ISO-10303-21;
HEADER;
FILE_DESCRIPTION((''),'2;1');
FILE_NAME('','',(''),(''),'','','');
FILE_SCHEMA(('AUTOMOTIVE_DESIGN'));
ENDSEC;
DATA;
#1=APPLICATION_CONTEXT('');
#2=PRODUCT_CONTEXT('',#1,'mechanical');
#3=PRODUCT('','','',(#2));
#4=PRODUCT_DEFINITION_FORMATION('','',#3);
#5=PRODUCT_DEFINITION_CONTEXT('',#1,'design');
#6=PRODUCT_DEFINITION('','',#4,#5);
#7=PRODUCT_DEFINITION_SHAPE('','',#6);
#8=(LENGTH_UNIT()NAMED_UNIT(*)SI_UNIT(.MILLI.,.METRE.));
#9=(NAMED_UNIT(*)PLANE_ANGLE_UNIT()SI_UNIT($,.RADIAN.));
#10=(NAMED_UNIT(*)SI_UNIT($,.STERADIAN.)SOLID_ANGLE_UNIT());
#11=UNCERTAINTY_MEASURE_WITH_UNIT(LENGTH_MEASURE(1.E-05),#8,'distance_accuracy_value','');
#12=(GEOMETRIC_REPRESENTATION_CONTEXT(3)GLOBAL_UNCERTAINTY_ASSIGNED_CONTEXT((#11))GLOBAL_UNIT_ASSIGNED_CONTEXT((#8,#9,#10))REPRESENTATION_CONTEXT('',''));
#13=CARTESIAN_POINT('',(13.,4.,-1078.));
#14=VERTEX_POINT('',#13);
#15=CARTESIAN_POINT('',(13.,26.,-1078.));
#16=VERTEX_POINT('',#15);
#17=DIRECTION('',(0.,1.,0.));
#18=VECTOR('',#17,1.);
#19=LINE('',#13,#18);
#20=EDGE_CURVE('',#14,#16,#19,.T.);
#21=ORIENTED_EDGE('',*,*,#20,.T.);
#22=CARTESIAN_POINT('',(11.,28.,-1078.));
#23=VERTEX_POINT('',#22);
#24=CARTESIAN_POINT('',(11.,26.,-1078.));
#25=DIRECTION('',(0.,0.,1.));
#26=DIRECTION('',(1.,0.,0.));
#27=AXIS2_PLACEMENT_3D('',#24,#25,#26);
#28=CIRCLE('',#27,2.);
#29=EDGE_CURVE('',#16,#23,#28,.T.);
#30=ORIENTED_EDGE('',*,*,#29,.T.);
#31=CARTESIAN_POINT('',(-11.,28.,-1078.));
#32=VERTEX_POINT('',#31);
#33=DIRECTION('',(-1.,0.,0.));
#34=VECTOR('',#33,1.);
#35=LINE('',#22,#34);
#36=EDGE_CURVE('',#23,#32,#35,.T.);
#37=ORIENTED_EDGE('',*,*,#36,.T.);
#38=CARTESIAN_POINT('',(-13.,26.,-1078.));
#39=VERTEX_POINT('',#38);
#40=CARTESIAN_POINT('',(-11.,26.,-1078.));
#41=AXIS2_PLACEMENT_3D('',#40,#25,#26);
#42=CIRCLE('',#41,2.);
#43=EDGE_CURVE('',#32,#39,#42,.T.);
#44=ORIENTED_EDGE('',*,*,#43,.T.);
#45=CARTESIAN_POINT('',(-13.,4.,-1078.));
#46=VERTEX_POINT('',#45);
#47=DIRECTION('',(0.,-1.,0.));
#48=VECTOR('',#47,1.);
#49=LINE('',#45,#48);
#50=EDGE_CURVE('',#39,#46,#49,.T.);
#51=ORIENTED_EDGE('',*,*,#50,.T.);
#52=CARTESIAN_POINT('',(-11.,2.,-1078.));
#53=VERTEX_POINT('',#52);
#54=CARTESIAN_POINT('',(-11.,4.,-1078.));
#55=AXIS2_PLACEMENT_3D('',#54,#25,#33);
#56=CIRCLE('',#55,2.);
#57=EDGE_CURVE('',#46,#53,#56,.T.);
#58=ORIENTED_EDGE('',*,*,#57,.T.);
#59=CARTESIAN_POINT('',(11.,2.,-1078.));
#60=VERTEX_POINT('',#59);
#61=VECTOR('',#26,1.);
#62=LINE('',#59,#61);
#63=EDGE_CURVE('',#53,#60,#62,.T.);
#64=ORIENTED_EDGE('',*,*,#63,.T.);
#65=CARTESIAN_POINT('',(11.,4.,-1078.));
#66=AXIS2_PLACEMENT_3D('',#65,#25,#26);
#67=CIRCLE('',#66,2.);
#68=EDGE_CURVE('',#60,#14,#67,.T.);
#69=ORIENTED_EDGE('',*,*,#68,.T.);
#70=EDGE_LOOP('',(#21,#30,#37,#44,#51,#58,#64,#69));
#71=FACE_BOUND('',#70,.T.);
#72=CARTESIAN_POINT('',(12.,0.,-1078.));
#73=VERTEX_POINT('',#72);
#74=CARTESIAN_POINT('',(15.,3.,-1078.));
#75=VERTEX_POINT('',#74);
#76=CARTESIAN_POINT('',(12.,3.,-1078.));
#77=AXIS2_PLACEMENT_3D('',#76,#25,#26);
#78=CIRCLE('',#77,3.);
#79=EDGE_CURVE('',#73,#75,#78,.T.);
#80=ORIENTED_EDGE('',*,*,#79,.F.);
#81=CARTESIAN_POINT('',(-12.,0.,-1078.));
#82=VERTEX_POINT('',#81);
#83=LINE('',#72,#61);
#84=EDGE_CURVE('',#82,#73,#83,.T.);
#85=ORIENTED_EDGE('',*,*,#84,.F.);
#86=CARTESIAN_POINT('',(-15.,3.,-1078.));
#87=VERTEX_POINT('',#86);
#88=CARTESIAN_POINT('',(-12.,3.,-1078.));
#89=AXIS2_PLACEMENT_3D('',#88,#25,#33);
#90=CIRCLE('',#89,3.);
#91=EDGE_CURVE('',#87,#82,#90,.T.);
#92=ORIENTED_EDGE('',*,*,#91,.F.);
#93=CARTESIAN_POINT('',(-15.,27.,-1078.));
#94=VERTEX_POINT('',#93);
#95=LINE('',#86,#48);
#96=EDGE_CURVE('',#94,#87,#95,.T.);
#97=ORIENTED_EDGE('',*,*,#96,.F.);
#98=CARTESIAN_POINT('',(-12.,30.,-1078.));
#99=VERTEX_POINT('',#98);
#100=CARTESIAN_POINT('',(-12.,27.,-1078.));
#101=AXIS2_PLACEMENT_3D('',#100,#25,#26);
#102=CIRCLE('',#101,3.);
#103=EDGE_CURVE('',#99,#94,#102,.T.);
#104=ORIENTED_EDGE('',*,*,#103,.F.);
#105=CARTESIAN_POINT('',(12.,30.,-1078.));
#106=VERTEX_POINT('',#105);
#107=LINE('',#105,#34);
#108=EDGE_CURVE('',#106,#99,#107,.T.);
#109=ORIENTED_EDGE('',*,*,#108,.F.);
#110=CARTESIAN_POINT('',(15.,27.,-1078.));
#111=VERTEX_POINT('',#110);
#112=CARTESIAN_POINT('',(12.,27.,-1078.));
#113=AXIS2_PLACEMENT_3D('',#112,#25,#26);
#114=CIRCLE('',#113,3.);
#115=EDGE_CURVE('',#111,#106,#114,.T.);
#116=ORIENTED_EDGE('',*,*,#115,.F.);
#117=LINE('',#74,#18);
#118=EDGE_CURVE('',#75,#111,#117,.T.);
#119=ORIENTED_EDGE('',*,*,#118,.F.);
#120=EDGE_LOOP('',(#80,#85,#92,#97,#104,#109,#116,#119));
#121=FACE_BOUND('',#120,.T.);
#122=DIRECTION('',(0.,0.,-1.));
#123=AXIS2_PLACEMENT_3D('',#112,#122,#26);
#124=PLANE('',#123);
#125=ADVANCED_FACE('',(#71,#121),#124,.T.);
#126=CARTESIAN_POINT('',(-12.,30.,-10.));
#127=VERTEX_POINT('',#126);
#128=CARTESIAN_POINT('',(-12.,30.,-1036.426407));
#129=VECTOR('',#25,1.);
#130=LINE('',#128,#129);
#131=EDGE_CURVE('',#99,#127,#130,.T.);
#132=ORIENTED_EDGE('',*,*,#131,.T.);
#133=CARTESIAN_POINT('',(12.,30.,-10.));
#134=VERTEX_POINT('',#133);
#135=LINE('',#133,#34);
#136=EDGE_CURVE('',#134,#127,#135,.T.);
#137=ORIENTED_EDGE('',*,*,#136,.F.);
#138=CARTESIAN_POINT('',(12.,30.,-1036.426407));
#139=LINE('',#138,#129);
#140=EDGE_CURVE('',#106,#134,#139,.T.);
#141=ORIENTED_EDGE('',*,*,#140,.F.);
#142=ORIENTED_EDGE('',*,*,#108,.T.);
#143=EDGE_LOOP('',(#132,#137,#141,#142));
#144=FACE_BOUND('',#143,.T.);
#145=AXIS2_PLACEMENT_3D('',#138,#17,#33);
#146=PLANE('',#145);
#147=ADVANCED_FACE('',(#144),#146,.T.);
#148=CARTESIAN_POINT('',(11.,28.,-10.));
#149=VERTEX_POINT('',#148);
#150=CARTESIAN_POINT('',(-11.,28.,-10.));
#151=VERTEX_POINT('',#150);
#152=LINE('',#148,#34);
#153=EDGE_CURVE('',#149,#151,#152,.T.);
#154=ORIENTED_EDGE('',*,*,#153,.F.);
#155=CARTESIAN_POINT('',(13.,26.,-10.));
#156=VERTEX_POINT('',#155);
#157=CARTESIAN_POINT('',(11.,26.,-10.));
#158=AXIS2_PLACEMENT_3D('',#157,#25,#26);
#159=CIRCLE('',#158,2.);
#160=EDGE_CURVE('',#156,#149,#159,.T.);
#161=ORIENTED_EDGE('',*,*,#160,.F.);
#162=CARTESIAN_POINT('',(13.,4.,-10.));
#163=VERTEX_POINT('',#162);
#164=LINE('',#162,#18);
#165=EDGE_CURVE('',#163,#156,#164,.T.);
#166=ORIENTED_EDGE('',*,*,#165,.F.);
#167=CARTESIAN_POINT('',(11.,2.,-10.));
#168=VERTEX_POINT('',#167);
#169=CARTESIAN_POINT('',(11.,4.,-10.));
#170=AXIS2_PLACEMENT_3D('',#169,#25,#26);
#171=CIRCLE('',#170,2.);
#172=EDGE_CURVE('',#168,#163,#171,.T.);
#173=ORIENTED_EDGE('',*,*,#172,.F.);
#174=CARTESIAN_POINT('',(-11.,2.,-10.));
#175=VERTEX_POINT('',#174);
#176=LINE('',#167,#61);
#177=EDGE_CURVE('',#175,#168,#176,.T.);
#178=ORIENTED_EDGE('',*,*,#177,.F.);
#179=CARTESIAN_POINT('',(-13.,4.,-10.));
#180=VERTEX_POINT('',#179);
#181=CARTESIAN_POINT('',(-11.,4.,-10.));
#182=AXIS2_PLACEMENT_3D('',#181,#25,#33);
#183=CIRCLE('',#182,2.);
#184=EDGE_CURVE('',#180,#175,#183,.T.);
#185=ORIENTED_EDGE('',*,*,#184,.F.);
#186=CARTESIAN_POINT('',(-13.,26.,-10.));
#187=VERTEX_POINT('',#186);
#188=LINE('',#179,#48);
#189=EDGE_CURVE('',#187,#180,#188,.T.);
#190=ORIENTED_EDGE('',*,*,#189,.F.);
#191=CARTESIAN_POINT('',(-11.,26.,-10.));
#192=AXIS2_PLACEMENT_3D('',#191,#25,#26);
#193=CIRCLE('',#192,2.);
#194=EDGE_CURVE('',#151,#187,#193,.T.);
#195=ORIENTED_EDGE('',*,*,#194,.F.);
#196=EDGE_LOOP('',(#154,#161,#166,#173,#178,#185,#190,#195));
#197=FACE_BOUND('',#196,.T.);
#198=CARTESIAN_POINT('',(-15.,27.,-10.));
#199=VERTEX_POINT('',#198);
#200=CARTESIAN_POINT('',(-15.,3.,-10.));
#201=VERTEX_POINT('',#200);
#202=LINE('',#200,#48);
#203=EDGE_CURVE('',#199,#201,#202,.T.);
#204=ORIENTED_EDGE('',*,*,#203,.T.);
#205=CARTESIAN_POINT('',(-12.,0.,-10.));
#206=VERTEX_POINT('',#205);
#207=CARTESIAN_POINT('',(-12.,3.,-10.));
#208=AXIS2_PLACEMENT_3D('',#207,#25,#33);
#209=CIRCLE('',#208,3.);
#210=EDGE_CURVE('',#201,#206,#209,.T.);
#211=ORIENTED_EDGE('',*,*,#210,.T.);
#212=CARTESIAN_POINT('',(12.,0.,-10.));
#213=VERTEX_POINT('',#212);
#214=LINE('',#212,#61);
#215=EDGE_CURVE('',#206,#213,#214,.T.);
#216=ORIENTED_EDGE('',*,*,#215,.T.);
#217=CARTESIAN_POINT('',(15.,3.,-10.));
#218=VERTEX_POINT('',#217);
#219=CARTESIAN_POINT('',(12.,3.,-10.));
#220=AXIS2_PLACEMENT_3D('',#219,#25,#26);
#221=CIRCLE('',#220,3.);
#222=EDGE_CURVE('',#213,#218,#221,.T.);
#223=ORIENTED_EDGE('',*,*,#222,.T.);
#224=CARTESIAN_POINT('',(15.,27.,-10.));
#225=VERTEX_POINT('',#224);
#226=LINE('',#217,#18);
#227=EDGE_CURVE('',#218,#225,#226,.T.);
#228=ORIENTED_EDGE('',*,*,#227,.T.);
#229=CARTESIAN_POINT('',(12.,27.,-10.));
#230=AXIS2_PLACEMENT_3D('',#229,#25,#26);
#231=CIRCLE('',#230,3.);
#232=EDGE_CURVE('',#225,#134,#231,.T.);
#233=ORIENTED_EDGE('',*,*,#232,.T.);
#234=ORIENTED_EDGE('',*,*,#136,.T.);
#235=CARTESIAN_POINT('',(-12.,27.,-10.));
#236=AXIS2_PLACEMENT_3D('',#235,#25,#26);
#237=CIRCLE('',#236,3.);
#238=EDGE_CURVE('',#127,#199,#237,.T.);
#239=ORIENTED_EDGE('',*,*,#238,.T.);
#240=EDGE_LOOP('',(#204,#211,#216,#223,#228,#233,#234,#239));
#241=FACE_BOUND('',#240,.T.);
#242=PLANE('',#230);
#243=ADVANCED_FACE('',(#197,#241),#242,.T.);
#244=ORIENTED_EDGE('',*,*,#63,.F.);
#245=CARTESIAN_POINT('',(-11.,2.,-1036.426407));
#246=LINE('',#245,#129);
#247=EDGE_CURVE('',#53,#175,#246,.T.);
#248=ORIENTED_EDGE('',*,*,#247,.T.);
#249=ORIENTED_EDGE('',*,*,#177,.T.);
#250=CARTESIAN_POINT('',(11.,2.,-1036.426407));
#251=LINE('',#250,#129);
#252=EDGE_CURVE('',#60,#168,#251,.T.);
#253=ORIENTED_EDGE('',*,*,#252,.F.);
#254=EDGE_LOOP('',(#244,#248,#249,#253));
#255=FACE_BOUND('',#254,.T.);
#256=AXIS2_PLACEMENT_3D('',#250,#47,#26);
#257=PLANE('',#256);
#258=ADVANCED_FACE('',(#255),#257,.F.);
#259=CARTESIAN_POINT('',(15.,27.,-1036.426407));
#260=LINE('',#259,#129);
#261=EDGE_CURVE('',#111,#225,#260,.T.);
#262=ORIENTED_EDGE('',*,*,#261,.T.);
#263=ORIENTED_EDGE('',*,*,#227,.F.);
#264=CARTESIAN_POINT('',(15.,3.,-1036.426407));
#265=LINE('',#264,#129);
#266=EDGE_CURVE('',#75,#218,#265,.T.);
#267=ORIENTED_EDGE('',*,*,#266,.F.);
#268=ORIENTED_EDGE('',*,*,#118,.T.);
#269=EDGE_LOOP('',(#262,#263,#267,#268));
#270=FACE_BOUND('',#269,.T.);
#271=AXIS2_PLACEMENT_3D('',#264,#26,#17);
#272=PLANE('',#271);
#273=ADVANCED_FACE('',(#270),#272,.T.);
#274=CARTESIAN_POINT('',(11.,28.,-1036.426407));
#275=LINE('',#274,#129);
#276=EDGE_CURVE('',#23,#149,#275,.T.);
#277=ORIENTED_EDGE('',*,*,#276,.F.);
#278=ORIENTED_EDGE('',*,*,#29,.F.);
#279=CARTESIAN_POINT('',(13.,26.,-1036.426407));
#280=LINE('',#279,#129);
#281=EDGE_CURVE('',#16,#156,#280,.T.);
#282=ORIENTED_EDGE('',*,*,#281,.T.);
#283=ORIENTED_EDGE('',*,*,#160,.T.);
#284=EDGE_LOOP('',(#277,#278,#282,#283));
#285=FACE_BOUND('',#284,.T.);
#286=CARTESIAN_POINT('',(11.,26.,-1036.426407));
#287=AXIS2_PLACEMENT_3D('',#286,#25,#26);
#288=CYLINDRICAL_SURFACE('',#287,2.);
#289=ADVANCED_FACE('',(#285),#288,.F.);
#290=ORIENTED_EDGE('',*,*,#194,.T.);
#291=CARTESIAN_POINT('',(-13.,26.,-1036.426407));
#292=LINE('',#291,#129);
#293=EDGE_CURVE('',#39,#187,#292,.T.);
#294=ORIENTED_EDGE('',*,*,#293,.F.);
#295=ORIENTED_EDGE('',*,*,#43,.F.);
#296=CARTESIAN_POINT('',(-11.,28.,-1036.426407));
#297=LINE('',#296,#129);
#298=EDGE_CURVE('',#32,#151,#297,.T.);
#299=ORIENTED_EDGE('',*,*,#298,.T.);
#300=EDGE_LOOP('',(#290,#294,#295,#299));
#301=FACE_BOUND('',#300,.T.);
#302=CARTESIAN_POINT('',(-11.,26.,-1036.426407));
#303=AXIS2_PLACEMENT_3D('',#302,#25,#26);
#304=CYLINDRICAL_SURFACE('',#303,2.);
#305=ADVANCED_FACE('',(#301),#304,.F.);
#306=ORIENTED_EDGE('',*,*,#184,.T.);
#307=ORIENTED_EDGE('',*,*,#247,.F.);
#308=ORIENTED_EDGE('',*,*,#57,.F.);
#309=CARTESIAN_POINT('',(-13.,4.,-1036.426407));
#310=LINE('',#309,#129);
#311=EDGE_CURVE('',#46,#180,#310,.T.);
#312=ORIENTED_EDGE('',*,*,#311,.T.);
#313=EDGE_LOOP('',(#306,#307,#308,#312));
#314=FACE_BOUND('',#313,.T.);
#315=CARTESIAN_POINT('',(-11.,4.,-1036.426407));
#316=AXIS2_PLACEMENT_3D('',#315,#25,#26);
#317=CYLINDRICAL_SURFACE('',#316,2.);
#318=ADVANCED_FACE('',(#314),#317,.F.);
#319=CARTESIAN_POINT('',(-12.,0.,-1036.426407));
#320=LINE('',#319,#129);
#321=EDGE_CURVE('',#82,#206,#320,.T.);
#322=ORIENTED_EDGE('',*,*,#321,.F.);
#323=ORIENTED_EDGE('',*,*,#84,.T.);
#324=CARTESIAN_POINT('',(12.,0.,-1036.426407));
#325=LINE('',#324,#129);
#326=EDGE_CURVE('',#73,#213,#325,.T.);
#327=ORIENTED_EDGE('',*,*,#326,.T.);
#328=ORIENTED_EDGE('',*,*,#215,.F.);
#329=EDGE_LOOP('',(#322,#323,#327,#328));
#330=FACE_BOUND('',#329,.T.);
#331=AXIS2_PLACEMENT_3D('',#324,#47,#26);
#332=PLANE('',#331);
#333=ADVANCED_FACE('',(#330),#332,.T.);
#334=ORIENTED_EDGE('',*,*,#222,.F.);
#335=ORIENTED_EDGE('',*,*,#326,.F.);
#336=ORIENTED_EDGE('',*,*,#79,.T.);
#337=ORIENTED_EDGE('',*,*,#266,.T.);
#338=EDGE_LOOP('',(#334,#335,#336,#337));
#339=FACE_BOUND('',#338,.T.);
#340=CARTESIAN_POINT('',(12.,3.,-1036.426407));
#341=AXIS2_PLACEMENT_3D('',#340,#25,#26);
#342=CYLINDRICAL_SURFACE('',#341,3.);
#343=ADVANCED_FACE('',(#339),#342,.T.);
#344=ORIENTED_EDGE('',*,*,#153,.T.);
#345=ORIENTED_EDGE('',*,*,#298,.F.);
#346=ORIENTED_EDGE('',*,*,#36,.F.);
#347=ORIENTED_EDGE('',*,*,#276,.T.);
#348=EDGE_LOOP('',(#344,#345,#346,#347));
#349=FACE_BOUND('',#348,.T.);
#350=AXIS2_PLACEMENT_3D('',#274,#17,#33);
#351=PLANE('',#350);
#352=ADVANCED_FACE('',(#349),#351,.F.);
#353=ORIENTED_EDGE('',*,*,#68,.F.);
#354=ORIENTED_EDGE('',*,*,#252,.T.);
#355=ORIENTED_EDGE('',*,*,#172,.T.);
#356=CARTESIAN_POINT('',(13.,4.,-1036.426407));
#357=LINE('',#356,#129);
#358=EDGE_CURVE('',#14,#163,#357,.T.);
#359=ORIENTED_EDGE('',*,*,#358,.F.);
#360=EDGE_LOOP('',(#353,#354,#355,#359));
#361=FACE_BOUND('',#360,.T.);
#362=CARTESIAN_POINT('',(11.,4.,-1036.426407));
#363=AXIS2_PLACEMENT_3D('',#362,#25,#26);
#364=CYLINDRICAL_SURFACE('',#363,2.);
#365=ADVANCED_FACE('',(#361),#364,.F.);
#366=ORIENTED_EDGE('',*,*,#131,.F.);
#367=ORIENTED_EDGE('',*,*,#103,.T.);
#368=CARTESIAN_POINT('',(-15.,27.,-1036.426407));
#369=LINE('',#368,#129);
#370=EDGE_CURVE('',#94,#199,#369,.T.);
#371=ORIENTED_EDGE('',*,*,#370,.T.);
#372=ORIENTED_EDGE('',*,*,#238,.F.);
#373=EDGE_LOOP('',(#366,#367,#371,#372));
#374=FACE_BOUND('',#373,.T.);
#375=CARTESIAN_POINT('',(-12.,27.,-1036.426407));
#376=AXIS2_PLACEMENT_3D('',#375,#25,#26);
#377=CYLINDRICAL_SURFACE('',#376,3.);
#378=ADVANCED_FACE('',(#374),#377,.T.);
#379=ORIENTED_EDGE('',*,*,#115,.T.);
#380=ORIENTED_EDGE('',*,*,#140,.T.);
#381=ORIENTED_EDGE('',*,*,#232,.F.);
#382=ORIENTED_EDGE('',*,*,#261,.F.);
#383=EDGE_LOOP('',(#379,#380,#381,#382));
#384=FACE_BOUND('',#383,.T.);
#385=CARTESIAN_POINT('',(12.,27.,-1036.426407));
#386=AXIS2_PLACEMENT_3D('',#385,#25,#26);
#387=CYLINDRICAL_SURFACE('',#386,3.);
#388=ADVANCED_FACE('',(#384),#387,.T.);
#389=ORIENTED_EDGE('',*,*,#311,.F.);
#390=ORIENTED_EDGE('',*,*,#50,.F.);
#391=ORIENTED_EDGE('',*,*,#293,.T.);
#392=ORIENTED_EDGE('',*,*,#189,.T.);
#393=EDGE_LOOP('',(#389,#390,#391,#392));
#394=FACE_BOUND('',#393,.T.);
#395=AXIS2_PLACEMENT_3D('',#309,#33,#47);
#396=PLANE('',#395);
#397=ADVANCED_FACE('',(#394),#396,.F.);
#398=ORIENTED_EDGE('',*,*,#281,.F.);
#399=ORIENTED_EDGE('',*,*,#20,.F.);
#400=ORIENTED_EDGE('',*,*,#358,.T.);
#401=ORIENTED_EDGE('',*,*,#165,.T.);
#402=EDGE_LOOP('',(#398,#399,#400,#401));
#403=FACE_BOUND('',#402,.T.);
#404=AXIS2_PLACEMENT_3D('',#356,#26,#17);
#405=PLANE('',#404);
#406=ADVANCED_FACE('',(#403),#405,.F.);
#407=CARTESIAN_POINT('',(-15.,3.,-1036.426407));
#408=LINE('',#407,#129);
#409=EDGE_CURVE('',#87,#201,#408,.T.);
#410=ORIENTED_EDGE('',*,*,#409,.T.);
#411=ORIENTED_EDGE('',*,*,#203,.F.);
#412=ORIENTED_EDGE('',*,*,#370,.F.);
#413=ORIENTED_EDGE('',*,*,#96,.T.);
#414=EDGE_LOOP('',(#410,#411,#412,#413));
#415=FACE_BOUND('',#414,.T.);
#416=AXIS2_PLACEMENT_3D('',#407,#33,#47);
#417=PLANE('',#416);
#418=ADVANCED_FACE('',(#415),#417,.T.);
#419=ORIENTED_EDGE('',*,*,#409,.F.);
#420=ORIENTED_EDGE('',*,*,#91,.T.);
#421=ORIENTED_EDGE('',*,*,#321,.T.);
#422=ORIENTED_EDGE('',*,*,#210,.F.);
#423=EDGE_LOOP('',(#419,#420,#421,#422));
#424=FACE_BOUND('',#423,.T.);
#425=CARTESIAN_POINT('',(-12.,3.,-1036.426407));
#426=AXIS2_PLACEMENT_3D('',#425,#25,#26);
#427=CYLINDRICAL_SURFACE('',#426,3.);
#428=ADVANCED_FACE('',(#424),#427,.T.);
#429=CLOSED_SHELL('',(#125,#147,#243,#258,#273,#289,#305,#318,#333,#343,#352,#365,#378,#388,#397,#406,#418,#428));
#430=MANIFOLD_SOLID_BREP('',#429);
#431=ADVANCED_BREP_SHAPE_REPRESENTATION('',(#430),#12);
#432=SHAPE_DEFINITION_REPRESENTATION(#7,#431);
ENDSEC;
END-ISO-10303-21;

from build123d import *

# Parameters (mm, degrees)
EXTRUDE_1_DEPTH = 534


with BuildPart() as part:
    # Эскиз1 → Бобышка-Вытянуть1 (new body)
    with BuildSketch(Plane.XY.offset(-10)):
        with BuildLine():
            Line((12, 0), (-12, 0))
            ThreePointArc((-12, 0), (-14.121320344, 0.878679656), (-15, 3))
            Line((-15, 3), (-15, 27))
            ThreePointArc((-15, 27), (-14.121320344, 29.121320344), (-12, 30))
            Line((-12, 30), (12, 30))
            ThreePointArc((12, 30), (14.121320344, 29.121320344), (15, 27))
            Line((15, 27), (15, 3))
            ThreePointArc((15, 3), (14.121320344, 0.878679656), (12, 0))
        make_face()
        with BuildLine():
            Line((11, 2), (-11, 2))
            ThreePointArc((-11, 2), (-12.414213562, 2.585786438), (-13, 4))
            Line((-13, 4), (-13, 26))
            ThreePointArc((-13, 26), (-12.414213562, 27.414213562), (-11, 28))
            Line((-11, 28), (11, 28))
            ThreePointArc((11, 28), (12.414213562, 27.414213562), (13, 26))
            Line((13, 26), (13, 4))
            ThreePointArc((13, 4), (12.414213562, 2.585786438), (11, 2))
        make_face(mode=Mode.SUBTRACT)
    extrude(amount=-EXTRUDE_1_DEPTH)

    # Зеркальное отражение1: part across plane


with BuildPart() as part_1:
    add(part.part)
    add(part.part.mirror(Plane(origin=(695.566765073, 158.190477347, -544), x_dir=(1, 0, 0), z_dir=(0, 0, 1))))


solid = part_1.part
